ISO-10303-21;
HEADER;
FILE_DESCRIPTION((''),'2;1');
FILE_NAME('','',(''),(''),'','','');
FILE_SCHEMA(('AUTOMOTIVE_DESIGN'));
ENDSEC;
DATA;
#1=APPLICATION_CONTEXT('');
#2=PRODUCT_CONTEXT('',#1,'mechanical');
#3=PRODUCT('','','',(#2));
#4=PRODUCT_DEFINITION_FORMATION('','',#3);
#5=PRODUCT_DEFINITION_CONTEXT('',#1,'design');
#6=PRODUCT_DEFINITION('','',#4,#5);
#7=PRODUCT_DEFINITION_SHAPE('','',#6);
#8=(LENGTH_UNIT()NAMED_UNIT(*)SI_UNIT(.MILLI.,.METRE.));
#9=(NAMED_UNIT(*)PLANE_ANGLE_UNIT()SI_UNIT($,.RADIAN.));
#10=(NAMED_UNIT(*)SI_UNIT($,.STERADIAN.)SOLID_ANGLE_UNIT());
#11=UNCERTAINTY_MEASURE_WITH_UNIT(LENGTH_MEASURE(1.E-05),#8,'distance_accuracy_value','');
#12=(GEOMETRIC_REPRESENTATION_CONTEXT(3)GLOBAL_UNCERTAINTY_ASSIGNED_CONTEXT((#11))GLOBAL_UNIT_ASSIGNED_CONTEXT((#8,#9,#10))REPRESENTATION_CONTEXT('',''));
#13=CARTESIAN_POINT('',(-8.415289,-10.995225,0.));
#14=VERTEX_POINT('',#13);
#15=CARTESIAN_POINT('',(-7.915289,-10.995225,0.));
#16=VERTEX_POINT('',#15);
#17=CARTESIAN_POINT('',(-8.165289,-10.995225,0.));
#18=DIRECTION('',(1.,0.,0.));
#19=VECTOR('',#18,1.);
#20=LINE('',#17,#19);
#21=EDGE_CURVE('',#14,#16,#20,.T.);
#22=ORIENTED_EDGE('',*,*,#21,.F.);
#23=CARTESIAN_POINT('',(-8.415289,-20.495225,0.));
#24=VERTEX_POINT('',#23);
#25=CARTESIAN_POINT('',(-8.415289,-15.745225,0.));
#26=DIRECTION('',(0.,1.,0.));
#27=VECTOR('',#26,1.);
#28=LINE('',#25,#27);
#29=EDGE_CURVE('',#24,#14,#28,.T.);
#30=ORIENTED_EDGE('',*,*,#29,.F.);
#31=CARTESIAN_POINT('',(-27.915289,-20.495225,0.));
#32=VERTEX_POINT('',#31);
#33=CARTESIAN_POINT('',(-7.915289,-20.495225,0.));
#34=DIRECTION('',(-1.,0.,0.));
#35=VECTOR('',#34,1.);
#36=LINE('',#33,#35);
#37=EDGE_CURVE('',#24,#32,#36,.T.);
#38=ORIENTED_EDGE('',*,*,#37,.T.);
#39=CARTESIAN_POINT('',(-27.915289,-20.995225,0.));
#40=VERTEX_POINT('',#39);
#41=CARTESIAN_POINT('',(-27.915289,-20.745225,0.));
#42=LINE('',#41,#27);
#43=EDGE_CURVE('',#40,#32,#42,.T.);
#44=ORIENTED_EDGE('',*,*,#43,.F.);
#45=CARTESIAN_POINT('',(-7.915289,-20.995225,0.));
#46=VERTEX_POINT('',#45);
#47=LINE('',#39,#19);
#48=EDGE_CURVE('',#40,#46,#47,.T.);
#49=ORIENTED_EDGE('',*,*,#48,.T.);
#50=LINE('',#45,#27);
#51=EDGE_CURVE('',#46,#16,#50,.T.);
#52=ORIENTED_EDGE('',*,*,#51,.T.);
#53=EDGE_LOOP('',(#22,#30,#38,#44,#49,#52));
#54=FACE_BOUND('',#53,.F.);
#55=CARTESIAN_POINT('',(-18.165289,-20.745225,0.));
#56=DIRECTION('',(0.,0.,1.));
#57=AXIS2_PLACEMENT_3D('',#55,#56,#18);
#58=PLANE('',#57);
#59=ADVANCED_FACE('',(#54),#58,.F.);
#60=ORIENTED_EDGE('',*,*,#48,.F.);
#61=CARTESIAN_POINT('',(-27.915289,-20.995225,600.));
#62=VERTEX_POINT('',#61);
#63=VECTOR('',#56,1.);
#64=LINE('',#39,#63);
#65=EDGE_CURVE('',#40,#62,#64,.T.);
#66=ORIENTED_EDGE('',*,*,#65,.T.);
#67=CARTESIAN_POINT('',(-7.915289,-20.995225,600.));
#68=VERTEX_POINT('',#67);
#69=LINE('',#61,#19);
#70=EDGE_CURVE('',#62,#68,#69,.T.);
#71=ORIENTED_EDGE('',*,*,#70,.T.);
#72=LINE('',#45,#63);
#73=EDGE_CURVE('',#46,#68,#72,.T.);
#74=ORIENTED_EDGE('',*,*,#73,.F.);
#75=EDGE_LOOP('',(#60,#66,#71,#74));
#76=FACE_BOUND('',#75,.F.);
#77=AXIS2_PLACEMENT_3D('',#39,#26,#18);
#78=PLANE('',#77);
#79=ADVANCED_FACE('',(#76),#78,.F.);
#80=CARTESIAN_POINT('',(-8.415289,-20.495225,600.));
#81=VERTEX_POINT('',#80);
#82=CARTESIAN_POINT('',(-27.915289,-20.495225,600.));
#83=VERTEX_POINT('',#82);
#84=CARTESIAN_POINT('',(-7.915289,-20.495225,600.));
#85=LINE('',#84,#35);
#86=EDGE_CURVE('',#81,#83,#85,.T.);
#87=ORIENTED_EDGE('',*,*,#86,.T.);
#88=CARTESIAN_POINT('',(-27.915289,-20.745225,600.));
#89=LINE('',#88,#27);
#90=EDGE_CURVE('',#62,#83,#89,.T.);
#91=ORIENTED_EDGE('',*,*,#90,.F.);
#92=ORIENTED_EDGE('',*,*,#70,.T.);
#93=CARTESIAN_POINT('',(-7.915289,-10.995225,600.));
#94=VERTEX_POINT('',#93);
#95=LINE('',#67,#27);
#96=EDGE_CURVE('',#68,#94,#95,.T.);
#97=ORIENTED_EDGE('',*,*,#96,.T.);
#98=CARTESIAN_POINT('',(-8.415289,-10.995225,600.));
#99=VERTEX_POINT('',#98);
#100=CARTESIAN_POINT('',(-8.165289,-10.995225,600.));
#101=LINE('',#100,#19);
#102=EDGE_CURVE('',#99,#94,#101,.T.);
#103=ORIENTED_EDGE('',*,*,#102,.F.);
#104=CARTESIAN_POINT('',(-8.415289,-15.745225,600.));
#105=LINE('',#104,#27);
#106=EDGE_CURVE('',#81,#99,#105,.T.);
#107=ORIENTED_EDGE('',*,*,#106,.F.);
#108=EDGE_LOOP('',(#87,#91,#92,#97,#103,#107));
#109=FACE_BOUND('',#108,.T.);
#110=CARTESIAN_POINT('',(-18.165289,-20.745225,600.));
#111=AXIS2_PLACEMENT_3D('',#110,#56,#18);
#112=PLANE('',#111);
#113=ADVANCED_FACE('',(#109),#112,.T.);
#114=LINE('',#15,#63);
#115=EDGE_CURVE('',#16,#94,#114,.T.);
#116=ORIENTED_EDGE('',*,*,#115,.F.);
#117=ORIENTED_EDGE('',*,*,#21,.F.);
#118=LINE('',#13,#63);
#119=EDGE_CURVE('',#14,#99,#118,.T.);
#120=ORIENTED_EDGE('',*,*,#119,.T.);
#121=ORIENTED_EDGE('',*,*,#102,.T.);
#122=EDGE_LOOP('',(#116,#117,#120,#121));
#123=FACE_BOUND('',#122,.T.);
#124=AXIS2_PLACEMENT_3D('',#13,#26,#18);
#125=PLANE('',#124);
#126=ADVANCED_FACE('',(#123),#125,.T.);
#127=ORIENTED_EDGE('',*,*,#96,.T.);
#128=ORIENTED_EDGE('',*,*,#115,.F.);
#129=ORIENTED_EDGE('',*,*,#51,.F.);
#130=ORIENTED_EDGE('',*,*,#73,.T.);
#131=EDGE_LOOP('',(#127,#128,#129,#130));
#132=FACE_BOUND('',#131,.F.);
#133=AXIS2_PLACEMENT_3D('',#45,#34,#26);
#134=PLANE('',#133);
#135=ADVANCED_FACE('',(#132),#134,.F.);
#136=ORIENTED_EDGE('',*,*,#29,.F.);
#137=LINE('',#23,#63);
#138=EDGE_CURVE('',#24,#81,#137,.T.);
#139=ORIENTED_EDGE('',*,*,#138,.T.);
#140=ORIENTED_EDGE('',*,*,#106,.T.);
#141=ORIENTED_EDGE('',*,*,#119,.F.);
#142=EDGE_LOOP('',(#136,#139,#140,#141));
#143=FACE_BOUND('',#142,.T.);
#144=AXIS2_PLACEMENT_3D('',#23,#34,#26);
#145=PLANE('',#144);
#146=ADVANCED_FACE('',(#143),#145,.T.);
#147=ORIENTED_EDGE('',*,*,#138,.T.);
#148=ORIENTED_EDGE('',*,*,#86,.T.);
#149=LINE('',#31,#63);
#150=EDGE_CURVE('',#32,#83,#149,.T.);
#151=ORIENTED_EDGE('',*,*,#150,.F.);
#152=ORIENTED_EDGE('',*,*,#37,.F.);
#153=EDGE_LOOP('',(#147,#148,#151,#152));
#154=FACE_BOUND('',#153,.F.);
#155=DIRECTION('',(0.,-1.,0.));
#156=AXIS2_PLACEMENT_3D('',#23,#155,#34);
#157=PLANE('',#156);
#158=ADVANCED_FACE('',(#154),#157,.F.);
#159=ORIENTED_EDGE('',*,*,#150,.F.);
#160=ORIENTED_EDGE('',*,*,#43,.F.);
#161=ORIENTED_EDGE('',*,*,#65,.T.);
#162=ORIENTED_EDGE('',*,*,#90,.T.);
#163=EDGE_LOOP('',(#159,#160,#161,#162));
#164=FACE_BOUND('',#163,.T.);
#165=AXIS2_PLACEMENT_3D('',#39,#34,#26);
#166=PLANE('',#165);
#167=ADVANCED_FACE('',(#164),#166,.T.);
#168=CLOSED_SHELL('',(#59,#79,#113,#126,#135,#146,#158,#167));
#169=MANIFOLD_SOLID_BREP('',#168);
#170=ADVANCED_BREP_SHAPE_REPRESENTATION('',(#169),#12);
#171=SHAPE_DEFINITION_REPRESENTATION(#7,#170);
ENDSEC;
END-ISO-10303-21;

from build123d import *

# Parameters (mm, degrees)
F0_W     = 19.5
F0_H     = 0.5
F0_W_2   = 0.5
F0_H_2   = 9.5
F1_DEPTH = 600


with BuildPart() as f1:
    # F0 (on Top) → F1 (new body)
    with BuildSketch(Plane.XY):
        with Locations((-18.165289, -20.745225)):
            Rectangle(F0_W, F0_H)
        with Locations((-8.165289, -20.745225)):
            Rectangle(F0_W_2, F0_H)
        with Locations((-8.165289, -15.745225)):
            Rectangle(F0_W_2, F0_H_2)
    extrude(amount=F1_DEPTH)


solid = f1.part
